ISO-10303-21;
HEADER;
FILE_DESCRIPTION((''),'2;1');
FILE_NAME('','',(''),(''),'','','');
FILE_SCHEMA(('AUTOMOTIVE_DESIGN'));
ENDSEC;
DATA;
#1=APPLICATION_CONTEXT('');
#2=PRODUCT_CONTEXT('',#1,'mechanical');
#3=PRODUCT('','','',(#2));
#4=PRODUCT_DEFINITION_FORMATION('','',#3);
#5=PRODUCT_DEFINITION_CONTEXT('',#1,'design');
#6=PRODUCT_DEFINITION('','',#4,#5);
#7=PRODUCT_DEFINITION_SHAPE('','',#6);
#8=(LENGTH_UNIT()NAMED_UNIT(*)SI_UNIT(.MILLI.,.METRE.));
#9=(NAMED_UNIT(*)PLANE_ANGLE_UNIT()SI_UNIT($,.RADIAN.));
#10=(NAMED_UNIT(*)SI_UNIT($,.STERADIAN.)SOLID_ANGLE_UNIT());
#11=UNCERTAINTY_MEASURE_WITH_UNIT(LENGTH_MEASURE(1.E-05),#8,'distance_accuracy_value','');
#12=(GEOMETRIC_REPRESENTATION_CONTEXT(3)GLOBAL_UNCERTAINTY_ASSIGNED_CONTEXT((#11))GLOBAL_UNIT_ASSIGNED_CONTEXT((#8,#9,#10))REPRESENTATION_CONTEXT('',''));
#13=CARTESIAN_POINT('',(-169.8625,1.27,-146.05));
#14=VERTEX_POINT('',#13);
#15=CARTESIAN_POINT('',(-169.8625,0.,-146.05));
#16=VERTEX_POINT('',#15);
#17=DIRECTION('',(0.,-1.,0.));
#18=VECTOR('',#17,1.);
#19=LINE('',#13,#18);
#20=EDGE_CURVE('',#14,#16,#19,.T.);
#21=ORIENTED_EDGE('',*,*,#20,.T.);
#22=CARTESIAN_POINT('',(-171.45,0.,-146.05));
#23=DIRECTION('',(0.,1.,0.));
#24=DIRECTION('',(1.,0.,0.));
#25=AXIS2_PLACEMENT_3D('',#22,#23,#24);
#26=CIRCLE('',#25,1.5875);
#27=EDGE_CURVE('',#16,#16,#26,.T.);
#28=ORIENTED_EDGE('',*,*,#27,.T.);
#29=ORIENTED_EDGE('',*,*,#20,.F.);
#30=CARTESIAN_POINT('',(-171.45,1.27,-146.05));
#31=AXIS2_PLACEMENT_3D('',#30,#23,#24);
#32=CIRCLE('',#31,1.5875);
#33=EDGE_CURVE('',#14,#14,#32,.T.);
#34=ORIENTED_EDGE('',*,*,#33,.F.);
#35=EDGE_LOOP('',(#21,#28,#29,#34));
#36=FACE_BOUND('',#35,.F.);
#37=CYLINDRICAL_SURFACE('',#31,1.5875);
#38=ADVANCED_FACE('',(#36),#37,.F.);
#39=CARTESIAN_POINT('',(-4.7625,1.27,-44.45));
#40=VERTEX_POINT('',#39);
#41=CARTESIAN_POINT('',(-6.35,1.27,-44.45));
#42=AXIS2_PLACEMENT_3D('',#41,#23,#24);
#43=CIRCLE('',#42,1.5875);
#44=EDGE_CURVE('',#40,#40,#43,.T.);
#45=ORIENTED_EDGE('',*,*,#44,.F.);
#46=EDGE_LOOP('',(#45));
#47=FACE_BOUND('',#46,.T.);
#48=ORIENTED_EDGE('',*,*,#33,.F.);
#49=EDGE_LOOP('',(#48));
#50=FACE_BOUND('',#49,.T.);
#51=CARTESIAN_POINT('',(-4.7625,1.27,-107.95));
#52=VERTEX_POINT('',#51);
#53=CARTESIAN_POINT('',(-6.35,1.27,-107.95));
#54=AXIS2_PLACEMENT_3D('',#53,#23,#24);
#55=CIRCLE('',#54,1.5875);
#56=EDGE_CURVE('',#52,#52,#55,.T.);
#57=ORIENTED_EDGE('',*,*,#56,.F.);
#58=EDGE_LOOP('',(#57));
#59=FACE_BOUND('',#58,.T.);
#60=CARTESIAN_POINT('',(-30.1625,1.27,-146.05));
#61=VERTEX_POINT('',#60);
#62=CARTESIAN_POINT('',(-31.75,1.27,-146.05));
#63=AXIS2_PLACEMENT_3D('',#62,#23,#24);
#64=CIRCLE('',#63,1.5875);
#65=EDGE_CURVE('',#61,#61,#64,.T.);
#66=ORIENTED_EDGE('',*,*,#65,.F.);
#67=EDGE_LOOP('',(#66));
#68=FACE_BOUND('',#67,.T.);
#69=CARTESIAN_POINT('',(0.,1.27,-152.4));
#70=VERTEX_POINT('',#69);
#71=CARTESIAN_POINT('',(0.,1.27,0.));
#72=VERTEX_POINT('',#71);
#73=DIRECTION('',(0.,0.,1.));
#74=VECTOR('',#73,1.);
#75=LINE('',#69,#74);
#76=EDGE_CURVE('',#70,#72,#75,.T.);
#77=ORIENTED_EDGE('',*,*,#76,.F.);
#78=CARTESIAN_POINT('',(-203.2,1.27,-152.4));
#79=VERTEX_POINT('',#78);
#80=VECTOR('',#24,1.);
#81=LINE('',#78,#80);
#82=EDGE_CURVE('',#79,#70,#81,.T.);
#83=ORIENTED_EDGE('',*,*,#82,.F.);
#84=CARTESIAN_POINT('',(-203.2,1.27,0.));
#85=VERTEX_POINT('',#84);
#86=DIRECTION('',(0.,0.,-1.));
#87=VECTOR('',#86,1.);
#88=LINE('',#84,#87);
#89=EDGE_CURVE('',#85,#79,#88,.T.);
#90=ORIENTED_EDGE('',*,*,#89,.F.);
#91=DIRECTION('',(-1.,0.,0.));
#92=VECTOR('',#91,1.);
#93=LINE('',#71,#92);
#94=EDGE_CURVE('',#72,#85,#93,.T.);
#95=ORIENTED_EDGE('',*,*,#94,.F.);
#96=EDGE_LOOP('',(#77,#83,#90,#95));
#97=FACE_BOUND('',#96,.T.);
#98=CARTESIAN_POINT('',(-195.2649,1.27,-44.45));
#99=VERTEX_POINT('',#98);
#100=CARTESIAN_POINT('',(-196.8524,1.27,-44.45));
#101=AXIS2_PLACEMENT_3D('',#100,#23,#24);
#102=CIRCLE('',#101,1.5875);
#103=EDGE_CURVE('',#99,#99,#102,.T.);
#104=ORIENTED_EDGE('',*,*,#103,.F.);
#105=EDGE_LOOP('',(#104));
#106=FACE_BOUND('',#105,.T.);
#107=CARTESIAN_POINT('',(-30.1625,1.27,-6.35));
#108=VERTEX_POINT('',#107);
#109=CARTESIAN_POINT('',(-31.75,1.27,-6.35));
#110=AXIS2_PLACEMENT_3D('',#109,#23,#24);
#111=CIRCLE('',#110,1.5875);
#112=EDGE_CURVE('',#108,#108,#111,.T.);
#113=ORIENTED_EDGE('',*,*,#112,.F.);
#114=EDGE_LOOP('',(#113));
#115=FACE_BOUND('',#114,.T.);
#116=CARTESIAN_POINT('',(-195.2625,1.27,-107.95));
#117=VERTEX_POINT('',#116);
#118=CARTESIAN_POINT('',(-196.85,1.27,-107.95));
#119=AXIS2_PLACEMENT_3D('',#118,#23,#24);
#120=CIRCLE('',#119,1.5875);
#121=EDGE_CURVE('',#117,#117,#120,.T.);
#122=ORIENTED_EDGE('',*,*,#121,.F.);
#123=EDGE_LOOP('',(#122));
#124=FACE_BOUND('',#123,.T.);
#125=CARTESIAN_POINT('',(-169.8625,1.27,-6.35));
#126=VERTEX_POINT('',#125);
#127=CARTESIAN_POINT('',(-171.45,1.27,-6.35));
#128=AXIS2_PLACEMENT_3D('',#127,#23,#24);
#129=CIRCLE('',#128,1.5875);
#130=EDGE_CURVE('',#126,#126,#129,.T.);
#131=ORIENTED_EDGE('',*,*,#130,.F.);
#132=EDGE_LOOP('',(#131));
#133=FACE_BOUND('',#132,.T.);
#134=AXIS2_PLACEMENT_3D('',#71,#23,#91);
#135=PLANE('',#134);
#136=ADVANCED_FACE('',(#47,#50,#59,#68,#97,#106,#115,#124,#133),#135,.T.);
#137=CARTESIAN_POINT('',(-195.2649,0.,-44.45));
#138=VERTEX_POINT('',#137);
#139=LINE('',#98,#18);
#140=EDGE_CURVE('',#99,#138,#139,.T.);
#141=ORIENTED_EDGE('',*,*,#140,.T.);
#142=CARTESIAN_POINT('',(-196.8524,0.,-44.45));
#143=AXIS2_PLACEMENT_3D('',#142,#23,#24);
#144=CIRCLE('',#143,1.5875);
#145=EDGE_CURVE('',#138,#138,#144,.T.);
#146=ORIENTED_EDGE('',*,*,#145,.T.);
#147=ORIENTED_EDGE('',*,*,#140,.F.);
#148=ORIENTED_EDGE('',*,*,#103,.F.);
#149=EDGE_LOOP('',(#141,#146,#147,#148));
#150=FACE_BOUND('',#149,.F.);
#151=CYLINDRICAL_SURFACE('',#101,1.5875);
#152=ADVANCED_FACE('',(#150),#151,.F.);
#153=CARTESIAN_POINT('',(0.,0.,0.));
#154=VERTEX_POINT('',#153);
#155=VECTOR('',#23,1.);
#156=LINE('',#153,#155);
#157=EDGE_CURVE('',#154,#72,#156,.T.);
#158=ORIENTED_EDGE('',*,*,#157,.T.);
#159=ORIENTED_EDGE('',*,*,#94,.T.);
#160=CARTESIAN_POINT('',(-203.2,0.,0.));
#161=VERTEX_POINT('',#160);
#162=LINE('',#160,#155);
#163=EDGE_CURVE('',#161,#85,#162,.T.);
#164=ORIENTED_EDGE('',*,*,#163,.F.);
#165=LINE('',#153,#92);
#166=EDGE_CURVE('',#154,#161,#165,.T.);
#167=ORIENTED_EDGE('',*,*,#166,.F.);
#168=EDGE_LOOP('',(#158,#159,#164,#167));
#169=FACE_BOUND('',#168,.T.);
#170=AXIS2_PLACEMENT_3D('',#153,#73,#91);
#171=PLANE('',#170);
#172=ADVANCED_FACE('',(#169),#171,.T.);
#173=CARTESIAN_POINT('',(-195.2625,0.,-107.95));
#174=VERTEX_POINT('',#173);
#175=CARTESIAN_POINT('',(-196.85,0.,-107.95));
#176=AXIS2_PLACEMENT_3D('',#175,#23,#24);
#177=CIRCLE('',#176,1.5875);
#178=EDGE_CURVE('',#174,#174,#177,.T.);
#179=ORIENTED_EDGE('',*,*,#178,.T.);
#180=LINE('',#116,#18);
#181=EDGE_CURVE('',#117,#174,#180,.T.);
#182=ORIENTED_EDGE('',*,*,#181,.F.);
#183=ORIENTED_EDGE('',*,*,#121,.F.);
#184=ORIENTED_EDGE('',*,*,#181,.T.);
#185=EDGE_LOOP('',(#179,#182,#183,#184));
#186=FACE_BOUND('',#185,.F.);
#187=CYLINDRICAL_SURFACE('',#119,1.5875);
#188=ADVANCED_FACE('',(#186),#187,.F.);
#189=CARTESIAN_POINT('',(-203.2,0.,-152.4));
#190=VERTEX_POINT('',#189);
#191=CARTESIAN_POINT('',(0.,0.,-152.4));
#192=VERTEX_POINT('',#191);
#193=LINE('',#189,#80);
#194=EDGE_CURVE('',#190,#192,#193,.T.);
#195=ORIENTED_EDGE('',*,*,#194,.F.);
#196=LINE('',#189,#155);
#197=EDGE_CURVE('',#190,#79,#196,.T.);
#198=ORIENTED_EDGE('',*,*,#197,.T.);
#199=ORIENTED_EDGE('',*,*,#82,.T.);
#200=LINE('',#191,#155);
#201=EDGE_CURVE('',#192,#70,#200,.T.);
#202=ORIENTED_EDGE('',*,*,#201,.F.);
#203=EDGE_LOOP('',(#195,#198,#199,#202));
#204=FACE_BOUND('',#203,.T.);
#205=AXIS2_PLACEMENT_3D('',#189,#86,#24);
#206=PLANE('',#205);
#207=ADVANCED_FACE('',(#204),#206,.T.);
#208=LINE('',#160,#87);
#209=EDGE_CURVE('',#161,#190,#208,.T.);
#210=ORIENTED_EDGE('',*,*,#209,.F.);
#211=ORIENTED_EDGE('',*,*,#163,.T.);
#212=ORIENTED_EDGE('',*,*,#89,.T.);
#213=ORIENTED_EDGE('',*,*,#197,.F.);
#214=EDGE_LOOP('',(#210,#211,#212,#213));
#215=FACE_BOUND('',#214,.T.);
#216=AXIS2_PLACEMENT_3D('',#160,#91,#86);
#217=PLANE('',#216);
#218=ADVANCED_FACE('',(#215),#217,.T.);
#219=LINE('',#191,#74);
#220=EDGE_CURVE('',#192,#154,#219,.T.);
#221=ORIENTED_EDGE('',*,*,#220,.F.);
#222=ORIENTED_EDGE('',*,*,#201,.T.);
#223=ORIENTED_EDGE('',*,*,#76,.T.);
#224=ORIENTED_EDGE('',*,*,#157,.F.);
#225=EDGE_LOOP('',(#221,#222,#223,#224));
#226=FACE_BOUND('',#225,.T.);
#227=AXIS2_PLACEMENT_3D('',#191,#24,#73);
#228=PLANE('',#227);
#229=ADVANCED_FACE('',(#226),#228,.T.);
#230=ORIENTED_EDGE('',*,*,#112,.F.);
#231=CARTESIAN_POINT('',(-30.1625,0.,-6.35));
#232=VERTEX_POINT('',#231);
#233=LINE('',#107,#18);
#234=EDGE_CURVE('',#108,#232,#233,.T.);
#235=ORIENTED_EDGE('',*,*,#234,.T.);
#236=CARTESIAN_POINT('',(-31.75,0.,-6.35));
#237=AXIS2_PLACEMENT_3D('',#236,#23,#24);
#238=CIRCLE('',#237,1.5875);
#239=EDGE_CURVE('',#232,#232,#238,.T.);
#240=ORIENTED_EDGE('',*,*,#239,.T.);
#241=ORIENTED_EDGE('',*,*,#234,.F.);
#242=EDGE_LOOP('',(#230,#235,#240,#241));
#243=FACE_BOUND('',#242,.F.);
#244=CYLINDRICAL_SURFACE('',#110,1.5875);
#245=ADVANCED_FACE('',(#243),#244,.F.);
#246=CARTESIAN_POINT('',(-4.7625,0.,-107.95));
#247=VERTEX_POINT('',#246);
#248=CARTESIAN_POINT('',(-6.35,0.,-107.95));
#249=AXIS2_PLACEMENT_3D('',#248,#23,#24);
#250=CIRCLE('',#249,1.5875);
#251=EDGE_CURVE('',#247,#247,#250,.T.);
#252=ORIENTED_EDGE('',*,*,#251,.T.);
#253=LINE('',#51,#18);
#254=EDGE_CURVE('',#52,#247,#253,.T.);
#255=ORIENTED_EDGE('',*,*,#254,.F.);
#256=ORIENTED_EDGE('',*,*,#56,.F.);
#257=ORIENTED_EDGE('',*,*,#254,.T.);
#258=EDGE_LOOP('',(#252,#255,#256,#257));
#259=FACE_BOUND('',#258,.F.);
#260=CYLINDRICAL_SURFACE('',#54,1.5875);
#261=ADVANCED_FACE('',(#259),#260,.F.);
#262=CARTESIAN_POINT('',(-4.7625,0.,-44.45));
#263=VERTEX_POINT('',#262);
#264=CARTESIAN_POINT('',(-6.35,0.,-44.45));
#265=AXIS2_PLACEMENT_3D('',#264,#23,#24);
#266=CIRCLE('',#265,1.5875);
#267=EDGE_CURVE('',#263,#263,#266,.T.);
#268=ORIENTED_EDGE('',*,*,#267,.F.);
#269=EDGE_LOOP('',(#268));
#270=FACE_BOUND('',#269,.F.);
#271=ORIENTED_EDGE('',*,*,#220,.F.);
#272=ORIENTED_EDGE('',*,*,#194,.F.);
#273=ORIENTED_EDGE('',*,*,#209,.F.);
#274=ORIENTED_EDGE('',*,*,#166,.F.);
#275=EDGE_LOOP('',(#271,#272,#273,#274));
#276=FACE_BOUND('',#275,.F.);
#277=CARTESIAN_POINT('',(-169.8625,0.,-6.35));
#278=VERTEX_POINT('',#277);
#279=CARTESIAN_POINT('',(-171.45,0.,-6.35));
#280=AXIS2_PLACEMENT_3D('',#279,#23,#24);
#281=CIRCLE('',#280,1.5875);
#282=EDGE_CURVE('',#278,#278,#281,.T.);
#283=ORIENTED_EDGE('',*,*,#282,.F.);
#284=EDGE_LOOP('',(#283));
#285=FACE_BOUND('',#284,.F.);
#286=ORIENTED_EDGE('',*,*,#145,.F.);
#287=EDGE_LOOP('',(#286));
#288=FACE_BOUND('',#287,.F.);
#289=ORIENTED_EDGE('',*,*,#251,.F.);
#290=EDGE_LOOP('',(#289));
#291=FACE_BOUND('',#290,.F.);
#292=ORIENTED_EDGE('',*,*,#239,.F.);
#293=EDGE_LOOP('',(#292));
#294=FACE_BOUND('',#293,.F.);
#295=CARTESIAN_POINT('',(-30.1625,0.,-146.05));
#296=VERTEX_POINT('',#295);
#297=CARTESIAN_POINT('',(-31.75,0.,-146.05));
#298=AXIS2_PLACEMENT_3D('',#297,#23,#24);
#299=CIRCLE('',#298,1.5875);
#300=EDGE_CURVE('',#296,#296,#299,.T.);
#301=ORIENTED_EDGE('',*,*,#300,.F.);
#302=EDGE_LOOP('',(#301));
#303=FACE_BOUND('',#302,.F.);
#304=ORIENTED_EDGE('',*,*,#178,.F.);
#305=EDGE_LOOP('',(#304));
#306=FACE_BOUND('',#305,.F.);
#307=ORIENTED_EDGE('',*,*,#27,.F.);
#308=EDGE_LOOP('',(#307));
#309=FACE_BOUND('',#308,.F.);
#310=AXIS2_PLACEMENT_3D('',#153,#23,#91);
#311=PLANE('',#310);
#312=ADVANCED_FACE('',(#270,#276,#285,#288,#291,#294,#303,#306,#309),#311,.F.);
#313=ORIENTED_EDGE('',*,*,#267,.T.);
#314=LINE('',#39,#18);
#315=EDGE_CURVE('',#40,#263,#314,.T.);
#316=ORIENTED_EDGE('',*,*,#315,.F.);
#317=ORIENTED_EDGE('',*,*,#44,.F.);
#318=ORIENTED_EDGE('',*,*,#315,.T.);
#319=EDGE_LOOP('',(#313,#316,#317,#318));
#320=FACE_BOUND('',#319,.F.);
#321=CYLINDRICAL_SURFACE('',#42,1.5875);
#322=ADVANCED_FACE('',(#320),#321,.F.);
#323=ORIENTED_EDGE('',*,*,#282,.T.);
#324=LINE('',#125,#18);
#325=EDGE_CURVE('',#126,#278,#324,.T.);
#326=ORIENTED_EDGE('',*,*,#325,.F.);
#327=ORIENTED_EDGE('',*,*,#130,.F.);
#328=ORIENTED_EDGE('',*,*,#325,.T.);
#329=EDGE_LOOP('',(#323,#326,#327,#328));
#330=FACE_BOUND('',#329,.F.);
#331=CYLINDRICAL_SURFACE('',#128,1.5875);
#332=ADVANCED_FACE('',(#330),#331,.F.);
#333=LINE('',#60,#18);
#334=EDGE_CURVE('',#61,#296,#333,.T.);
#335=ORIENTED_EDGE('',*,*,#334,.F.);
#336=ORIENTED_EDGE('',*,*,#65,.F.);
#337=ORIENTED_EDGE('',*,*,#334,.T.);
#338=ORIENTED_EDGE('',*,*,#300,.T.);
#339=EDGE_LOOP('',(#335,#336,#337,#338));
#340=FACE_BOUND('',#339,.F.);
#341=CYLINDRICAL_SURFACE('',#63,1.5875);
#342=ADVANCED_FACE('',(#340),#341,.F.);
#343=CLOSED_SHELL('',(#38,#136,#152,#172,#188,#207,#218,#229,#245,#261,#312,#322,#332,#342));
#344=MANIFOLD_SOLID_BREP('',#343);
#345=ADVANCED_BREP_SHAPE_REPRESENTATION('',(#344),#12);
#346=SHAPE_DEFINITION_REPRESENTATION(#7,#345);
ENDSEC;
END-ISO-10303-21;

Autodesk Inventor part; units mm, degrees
ref_plane "YZ Plane" through (0, 0, 0) normal (1, 0, 0) x (0, 1, 0)
ref_plane "XZ Plane" through (0, 0, 0) normal (0, 1, 0) x (-1, 0, 0)
ref_plane "XY Plane" through (0, 0, 0) normal (0, 0, 1) x (1, 0, 0)
sketch "Sketch1" plane through (0, 0, 0) normal (0, 1, 0) x (-1, 0, 0)
  line L0 (0, 0) -> (203.2, 0)
  line L1 (203.2, 0) -> (203.2, -152.4)
  line L2 (203.2, -152.4) -> (0, -152.4)
  line L3 (0, -152.4) -> (0, 0)
  dimension "d0" = 203.2
  dimension "d1" = 152.4
extrude "Extrusion1" add sketch "Sketch1" along normal blind 1.27
sketch "Sketch3" plane through (0, 1.27, 0) normal (0, 1, 0) x (1, 0, 0)
  circle A0 centre (-171.45, 6.35) radius 1.5875
  circle A1 centre (-196.8524, 44.45) radius 1.5875
  circle A2 centre (-31.75, 6.35) radius 1.5875
  circle A3 centre (-6.35, 44.45) radius 1.5875
  circle A4 centre (-6.35, 107.95) radius 1.5875
  circle A5 centre (-31.75, 146.05) radius 1.5875
  circle A6 centre (-171.45, 146.05) radius 1.5875
  circle A7 centre (-196.85, 107.95) radius 1.5875
  line L0 (-203.2, 152.4) -> (-203.2, 0) projected
  line L1 (0, 152.4) -> (-203.2, 152.4) projected
  line L2 (0, 0) -> (0, 152.4) projected
  line L3 (-203.2, 0) -> (0, 0) projected
  dimension "d36" = 3.175
  dimension "d37" = 3.175
  dimension "d38" = 3.175
  dimension "d39" = 3.175
  dimension "d40" = 3.175
  dimension "d41" = 3.175
  dimension "d42" = 3.175
  dimension "d43" = 3.175
  dimension "d45" = 6.35
  dimension "d46" = 44.45
  dimension "d47" = 6.35
  dimension "d48" = 31.75
  dimension "d49" = 31.75
  dimension "d50" = 6.35
  dimension "d51" = 44.45
  dimension "d52" = 6.35
  dimension "d53" = 44.45
  dimension "d54" = 6.35
  dimension "d55" = 31.75
  dimension "d56" = 6.35
  dimension "d57" = 31.75
  dimension "d58" = 6.3476
  dimension "d59" = 44.45
  dimension "d62" = 203.2
  dimension "d63" = 152.4
extrude "Extrusion2" cut sketch "Sketch3" against normal blind 25.4 contours A0 | A1 | A2 | A3 | A4 | A5 | A6 | A7
properties part number "000103"
